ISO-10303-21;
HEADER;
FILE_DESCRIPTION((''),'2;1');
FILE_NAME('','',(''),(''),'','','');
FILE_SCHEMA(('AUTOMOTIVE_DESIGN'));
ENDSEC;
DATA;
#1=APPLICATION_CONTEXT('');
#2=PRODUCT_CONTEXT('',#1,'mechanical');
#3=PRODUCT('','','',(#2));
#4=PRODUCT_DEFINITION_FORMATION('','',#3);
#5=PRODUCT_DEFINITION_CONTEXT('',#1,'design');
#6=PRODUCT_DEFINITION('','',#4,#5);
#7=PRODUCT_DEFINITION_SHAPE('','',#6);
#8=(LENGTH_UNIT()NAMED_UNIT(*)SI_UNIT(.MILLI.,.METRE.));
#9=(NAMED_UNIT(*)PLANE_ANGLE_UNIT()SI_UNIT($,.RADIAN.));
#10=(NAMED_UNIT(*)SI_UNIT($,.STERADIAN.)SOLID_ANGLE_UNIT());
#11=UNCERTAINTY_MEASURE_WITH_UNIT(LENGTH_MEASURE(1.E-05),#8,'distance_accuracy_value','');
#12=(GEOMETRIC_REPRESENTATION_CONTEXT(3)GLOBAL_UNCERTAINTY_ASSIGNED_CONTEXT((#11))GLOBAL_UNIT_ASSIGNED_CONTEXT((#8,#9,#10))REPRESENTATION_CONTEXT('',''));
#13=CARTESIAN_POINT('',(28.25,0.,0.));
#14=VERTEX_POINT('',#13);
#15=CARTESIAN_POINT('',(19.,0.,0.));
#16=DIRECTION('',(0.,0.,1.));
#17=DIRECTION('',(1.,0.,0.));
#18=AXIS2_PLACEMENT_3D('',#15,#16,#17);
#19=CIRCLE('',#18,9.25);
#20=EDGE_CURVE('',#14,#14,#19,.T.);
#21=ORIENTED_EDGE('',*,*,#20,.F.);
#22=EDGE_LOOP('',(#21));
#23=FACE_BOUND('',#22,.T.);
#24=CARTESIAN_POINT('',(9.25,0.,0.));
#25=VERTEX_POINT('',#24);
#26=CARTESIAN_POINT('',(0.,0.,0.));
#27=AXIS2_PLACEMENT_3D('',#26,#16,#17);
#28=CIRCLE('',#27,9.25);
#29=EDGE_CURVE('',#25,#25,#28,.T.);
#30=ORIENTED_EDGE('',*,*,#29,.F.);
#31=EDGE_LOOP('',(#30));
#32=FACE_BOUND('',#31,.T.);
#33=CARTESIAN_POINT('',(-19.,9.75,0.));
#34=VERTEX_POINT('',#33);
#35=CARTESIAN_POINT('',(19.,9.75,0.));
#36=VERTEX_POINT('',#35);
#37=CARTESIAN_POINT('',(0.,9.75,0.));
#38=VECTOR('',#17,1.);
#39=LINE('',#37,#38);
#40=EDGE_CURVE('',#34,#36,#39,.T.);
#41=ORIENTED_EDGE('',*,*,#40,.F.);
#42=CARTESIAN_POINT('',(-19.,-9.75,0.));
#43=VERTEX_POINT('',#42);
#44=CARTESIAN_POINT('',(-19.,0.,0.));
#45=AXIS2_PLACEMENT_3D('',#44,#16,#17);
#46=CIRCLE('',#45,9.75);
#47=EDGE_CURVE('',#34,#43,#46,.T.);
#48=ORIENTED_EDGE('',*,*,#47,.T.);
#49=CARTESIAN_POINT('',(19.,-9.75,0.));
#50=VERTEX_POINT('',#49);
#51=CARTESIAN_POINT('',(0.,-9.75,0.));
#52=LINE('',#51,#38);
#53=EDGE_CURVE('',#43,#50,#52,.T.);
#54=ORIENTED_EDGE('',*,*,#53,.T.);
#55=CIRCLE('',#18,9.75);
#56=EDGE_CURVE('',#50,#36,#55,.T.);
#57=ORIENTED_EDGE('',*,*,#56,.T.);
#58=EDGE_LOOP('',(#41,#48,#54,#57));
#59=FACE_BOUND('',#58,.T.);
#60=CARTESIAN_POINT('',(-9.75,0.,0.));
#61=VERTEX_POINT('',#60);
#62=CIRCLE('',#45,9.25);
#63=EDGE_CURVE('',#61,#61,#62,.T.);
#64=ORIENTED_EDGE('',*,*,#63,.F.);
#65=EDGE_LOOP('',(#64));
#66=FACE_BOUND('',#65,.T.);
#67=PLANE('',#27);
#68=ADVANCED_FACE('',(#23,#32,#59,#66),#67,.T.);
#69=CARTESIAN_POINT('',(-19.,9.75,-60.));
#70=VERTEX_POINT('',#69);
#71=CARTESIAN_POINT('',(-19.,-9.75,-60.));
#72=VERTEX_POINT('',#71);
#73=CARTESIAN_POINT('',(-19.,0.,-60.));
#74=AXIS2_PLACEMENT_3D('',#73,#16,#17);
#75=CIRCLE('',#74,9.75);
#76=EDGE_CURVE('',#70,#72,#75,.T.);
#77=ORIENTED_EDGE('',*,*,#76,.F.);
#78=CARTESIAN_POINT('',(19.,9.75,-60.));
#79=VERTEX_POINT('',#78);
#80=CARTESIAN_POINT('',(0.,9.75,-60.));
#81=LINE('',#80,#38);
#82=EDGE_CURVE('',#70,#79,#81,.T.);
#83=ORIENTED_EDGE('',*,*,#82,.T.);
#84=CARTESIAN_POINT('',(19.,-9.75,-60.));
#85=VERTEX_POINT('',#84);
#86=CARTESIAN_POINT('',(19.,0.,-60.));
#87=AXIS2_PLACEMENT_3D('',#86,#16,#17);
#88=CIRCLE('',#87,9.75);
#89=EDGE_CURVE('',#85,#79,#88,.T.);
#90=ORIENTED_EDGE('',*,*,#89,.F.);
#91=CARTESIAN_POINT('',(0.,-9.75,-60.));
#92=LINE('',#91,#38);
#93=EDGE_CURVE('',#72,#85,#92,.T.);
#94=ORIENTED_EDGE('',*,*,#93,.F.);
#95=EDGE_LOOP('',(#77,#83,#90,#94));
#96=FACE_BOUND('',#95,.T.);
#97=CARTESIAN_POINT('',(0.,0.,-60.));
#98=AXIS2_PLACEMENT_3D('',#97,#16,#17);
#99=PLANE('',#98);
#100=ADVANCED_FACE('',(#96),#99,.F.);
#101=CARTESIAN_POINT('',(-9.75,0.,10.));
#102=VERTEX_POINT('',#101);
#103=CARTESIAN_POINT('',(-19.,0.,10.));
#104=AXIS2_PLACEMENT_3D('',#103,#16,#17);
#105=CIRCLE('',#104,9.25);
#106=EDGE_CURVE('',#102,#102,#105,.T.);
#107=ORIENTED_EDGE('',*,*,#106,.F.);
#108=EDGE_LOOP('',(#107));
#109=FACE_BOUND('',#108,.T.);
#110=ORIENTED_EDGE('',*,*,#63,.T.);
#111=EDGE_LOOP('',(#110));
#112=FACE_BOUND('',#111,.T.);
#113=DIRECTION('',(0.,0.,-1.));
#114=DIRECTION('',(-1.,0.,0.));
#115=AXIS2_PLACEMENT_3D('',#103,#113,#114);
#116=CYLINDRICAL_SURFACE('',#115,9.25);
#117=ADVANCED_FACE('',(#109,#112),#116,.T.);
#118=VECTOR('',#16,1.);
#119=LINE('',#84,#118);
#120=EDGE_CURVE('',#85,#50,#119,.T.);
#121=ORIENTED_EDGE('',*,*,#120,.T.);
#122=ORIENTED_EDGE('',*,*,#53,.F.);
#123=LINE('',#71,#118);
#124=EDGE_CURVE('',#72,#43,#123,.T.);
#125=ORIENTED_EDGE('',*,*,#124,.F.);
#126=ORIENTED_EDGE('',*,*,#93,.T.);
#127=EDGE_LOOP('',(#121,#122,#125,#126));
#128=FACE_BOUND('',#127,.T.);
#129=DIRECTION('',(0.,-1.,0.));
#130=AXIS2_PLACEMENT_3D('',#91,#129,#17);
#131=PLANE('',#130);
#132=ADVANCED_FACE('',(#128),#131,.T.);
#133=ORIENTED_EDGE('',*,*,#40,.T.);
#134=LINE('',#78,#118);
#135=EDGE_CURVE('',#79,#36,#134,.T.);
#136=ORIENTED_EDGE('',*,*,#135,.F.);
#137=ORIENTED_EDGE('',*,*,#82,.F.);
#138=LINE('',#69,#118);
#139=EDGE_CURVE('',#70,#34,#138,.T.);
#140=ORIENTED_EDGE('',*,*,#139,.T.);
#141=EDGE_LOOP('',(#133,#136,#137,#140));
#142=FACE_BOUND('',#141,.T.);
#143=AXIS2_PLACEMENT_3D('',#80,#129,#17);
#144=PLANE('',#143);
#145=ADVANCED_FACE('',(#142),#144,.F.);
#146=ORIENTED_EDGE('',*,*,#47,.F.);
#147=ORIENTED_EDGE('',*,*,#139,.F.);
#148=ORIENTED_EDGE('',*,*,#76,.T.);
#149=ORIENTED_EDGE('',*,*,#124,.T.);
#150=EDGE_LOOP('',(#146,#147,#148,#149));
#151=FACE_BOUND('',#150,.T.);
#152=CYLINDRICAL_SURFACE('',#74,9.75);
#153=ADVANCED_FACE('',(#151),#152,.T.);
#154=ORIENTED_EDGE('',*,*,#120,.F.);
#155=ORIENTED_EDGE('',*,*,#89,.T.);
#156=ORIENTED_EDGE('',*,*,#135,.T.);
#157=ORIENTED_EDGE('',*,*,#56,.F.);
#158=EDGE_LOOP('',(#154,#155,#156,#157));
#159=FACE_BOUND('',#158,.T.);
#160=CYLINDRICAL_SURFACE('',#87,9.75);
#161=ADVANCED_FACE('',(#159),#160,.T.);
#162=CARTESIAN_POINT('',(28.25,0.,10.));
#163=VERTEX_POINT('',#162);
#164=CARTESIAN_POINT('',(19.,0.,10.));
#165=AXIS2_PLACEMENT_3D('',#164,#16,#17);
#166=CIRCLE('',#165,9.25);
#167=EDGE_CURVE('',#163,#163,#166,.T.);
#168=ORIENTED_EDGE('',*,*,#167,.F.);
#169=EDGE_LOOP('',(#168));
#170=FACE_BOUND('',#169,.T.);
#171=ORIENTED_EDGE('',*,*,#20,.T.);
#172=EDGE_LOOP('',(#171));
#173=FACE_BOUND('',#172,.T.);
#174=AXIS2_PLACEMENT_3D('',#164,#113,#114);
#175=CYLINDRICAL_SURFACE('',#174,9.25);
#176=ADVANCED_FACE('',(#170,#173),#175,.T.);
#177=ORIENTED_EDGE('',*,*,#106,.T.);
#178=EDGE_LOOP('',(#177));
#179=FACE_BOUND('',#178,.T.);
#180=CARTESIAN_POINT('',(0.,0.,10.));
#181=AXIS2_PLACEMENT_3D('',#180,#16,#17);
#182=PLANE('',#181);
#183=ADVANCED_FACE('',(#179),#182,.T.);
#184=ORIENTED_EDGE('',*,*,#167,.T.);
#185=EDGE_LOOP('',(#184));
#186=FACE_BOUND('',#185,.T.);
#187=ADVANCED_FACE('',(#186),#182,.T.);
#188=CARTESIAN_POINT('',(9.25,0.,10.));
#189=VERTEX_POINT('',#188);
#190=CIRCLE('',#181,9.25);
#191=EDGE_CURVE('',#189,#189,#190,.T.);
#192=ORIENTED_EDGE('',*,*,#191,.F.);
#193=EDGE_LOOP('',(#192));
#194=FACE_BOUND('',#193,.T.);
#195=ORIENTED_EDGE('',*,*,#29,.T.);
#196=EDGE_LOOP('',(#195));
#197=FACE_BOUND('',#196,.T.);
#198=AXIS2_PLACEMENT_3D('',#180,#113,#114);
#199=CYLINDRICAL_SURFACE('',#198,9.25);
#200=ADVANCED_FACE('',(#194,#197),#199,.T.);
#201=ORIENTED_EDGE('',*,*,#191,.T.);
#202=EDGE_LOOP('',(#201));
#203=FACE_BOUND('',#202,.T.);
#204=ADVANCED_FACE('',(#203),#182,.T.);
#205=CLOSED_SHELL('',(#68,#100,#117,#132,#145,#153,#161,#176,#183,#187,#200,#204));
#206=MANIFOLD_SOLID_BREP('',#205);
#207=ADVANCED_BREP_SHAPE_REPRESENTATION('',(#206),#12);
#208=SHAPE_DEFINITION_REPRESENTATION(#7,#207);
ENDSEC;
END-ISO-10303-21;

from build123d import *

# Parameters (mm, degrees)
SKIZZE1_R                         = 9.25
AUFSATZ_LINEAR_AUSTRAGEN1_DEPTH   = 10
AUFSATZ_LINEAR_AUSTRAGEN1_2_DEPTH = 10
AUFSATZ_LINEAR_AUSTRAGEN1_3_DEPTH = 10
AUFSATZ_LINEAR_AUSTRAGEN7_DEPTH   = 60


with BuildPart() as part:
    # Skizze1 → Aufsatz-Linear austragen1 (new body)
    with BuildSketch(Plane.XY):
        Circle(SKIZZE1_R)
    extrude(amount=AUFSATZ_LINEAR_AUSTRAGEN1_DEPTH)



with BuildPart() as body_2:
    # Skizze1 → Aufsatz-Linear austragen1 2 (new body)
    with BuildSketch(Plane.XY):
        with Locations((19, 0)):
            Circle(SKIZZE1_R)
    extrude(amount=AUFSATZ_LINEAR_AUSTRAGEN1_2_DEPTH)


with BuildPart() as body_3:
    # Skizze1 → Aufsatz-Linear austragen1 3 (new body)
    with BuildSketch(Plane.XY):
        with Locations((-19, 0)):
            Circle(SKIZZE1_R)
    extrude(amount=AUFSATZ_LINEAR_AUSTRAGEN1_3_DEPTH)


with BuildPart() as part_1:
    add(part.part)

    add(body_2.part)  # Aufsatz-Linear austragen7 merges body 2

    add(body_3.part)  # Aufsatz-Linear austragen7 merges body 3
    # Skizze1<5> → Aufsatz-Linear austragen7 (add)
    with BuildSketch(Plane.XY):
        with BuildLine():
            Line((19, 9.75), (-19, 9.75))
            ThreePointArc((-19, 9.75), (-28.75, 0), (-19, -9.75))
            Line((-19, -9.75), (19, -9.75))
            ThreePointArc((19, -9.75), (28.75, 0), (19, 9.75))
        make_face()
    extrude(amount=-AUFSATZ_LINEAR_AUSTRAGEN7_DEPTH)


solid = part_1.part
